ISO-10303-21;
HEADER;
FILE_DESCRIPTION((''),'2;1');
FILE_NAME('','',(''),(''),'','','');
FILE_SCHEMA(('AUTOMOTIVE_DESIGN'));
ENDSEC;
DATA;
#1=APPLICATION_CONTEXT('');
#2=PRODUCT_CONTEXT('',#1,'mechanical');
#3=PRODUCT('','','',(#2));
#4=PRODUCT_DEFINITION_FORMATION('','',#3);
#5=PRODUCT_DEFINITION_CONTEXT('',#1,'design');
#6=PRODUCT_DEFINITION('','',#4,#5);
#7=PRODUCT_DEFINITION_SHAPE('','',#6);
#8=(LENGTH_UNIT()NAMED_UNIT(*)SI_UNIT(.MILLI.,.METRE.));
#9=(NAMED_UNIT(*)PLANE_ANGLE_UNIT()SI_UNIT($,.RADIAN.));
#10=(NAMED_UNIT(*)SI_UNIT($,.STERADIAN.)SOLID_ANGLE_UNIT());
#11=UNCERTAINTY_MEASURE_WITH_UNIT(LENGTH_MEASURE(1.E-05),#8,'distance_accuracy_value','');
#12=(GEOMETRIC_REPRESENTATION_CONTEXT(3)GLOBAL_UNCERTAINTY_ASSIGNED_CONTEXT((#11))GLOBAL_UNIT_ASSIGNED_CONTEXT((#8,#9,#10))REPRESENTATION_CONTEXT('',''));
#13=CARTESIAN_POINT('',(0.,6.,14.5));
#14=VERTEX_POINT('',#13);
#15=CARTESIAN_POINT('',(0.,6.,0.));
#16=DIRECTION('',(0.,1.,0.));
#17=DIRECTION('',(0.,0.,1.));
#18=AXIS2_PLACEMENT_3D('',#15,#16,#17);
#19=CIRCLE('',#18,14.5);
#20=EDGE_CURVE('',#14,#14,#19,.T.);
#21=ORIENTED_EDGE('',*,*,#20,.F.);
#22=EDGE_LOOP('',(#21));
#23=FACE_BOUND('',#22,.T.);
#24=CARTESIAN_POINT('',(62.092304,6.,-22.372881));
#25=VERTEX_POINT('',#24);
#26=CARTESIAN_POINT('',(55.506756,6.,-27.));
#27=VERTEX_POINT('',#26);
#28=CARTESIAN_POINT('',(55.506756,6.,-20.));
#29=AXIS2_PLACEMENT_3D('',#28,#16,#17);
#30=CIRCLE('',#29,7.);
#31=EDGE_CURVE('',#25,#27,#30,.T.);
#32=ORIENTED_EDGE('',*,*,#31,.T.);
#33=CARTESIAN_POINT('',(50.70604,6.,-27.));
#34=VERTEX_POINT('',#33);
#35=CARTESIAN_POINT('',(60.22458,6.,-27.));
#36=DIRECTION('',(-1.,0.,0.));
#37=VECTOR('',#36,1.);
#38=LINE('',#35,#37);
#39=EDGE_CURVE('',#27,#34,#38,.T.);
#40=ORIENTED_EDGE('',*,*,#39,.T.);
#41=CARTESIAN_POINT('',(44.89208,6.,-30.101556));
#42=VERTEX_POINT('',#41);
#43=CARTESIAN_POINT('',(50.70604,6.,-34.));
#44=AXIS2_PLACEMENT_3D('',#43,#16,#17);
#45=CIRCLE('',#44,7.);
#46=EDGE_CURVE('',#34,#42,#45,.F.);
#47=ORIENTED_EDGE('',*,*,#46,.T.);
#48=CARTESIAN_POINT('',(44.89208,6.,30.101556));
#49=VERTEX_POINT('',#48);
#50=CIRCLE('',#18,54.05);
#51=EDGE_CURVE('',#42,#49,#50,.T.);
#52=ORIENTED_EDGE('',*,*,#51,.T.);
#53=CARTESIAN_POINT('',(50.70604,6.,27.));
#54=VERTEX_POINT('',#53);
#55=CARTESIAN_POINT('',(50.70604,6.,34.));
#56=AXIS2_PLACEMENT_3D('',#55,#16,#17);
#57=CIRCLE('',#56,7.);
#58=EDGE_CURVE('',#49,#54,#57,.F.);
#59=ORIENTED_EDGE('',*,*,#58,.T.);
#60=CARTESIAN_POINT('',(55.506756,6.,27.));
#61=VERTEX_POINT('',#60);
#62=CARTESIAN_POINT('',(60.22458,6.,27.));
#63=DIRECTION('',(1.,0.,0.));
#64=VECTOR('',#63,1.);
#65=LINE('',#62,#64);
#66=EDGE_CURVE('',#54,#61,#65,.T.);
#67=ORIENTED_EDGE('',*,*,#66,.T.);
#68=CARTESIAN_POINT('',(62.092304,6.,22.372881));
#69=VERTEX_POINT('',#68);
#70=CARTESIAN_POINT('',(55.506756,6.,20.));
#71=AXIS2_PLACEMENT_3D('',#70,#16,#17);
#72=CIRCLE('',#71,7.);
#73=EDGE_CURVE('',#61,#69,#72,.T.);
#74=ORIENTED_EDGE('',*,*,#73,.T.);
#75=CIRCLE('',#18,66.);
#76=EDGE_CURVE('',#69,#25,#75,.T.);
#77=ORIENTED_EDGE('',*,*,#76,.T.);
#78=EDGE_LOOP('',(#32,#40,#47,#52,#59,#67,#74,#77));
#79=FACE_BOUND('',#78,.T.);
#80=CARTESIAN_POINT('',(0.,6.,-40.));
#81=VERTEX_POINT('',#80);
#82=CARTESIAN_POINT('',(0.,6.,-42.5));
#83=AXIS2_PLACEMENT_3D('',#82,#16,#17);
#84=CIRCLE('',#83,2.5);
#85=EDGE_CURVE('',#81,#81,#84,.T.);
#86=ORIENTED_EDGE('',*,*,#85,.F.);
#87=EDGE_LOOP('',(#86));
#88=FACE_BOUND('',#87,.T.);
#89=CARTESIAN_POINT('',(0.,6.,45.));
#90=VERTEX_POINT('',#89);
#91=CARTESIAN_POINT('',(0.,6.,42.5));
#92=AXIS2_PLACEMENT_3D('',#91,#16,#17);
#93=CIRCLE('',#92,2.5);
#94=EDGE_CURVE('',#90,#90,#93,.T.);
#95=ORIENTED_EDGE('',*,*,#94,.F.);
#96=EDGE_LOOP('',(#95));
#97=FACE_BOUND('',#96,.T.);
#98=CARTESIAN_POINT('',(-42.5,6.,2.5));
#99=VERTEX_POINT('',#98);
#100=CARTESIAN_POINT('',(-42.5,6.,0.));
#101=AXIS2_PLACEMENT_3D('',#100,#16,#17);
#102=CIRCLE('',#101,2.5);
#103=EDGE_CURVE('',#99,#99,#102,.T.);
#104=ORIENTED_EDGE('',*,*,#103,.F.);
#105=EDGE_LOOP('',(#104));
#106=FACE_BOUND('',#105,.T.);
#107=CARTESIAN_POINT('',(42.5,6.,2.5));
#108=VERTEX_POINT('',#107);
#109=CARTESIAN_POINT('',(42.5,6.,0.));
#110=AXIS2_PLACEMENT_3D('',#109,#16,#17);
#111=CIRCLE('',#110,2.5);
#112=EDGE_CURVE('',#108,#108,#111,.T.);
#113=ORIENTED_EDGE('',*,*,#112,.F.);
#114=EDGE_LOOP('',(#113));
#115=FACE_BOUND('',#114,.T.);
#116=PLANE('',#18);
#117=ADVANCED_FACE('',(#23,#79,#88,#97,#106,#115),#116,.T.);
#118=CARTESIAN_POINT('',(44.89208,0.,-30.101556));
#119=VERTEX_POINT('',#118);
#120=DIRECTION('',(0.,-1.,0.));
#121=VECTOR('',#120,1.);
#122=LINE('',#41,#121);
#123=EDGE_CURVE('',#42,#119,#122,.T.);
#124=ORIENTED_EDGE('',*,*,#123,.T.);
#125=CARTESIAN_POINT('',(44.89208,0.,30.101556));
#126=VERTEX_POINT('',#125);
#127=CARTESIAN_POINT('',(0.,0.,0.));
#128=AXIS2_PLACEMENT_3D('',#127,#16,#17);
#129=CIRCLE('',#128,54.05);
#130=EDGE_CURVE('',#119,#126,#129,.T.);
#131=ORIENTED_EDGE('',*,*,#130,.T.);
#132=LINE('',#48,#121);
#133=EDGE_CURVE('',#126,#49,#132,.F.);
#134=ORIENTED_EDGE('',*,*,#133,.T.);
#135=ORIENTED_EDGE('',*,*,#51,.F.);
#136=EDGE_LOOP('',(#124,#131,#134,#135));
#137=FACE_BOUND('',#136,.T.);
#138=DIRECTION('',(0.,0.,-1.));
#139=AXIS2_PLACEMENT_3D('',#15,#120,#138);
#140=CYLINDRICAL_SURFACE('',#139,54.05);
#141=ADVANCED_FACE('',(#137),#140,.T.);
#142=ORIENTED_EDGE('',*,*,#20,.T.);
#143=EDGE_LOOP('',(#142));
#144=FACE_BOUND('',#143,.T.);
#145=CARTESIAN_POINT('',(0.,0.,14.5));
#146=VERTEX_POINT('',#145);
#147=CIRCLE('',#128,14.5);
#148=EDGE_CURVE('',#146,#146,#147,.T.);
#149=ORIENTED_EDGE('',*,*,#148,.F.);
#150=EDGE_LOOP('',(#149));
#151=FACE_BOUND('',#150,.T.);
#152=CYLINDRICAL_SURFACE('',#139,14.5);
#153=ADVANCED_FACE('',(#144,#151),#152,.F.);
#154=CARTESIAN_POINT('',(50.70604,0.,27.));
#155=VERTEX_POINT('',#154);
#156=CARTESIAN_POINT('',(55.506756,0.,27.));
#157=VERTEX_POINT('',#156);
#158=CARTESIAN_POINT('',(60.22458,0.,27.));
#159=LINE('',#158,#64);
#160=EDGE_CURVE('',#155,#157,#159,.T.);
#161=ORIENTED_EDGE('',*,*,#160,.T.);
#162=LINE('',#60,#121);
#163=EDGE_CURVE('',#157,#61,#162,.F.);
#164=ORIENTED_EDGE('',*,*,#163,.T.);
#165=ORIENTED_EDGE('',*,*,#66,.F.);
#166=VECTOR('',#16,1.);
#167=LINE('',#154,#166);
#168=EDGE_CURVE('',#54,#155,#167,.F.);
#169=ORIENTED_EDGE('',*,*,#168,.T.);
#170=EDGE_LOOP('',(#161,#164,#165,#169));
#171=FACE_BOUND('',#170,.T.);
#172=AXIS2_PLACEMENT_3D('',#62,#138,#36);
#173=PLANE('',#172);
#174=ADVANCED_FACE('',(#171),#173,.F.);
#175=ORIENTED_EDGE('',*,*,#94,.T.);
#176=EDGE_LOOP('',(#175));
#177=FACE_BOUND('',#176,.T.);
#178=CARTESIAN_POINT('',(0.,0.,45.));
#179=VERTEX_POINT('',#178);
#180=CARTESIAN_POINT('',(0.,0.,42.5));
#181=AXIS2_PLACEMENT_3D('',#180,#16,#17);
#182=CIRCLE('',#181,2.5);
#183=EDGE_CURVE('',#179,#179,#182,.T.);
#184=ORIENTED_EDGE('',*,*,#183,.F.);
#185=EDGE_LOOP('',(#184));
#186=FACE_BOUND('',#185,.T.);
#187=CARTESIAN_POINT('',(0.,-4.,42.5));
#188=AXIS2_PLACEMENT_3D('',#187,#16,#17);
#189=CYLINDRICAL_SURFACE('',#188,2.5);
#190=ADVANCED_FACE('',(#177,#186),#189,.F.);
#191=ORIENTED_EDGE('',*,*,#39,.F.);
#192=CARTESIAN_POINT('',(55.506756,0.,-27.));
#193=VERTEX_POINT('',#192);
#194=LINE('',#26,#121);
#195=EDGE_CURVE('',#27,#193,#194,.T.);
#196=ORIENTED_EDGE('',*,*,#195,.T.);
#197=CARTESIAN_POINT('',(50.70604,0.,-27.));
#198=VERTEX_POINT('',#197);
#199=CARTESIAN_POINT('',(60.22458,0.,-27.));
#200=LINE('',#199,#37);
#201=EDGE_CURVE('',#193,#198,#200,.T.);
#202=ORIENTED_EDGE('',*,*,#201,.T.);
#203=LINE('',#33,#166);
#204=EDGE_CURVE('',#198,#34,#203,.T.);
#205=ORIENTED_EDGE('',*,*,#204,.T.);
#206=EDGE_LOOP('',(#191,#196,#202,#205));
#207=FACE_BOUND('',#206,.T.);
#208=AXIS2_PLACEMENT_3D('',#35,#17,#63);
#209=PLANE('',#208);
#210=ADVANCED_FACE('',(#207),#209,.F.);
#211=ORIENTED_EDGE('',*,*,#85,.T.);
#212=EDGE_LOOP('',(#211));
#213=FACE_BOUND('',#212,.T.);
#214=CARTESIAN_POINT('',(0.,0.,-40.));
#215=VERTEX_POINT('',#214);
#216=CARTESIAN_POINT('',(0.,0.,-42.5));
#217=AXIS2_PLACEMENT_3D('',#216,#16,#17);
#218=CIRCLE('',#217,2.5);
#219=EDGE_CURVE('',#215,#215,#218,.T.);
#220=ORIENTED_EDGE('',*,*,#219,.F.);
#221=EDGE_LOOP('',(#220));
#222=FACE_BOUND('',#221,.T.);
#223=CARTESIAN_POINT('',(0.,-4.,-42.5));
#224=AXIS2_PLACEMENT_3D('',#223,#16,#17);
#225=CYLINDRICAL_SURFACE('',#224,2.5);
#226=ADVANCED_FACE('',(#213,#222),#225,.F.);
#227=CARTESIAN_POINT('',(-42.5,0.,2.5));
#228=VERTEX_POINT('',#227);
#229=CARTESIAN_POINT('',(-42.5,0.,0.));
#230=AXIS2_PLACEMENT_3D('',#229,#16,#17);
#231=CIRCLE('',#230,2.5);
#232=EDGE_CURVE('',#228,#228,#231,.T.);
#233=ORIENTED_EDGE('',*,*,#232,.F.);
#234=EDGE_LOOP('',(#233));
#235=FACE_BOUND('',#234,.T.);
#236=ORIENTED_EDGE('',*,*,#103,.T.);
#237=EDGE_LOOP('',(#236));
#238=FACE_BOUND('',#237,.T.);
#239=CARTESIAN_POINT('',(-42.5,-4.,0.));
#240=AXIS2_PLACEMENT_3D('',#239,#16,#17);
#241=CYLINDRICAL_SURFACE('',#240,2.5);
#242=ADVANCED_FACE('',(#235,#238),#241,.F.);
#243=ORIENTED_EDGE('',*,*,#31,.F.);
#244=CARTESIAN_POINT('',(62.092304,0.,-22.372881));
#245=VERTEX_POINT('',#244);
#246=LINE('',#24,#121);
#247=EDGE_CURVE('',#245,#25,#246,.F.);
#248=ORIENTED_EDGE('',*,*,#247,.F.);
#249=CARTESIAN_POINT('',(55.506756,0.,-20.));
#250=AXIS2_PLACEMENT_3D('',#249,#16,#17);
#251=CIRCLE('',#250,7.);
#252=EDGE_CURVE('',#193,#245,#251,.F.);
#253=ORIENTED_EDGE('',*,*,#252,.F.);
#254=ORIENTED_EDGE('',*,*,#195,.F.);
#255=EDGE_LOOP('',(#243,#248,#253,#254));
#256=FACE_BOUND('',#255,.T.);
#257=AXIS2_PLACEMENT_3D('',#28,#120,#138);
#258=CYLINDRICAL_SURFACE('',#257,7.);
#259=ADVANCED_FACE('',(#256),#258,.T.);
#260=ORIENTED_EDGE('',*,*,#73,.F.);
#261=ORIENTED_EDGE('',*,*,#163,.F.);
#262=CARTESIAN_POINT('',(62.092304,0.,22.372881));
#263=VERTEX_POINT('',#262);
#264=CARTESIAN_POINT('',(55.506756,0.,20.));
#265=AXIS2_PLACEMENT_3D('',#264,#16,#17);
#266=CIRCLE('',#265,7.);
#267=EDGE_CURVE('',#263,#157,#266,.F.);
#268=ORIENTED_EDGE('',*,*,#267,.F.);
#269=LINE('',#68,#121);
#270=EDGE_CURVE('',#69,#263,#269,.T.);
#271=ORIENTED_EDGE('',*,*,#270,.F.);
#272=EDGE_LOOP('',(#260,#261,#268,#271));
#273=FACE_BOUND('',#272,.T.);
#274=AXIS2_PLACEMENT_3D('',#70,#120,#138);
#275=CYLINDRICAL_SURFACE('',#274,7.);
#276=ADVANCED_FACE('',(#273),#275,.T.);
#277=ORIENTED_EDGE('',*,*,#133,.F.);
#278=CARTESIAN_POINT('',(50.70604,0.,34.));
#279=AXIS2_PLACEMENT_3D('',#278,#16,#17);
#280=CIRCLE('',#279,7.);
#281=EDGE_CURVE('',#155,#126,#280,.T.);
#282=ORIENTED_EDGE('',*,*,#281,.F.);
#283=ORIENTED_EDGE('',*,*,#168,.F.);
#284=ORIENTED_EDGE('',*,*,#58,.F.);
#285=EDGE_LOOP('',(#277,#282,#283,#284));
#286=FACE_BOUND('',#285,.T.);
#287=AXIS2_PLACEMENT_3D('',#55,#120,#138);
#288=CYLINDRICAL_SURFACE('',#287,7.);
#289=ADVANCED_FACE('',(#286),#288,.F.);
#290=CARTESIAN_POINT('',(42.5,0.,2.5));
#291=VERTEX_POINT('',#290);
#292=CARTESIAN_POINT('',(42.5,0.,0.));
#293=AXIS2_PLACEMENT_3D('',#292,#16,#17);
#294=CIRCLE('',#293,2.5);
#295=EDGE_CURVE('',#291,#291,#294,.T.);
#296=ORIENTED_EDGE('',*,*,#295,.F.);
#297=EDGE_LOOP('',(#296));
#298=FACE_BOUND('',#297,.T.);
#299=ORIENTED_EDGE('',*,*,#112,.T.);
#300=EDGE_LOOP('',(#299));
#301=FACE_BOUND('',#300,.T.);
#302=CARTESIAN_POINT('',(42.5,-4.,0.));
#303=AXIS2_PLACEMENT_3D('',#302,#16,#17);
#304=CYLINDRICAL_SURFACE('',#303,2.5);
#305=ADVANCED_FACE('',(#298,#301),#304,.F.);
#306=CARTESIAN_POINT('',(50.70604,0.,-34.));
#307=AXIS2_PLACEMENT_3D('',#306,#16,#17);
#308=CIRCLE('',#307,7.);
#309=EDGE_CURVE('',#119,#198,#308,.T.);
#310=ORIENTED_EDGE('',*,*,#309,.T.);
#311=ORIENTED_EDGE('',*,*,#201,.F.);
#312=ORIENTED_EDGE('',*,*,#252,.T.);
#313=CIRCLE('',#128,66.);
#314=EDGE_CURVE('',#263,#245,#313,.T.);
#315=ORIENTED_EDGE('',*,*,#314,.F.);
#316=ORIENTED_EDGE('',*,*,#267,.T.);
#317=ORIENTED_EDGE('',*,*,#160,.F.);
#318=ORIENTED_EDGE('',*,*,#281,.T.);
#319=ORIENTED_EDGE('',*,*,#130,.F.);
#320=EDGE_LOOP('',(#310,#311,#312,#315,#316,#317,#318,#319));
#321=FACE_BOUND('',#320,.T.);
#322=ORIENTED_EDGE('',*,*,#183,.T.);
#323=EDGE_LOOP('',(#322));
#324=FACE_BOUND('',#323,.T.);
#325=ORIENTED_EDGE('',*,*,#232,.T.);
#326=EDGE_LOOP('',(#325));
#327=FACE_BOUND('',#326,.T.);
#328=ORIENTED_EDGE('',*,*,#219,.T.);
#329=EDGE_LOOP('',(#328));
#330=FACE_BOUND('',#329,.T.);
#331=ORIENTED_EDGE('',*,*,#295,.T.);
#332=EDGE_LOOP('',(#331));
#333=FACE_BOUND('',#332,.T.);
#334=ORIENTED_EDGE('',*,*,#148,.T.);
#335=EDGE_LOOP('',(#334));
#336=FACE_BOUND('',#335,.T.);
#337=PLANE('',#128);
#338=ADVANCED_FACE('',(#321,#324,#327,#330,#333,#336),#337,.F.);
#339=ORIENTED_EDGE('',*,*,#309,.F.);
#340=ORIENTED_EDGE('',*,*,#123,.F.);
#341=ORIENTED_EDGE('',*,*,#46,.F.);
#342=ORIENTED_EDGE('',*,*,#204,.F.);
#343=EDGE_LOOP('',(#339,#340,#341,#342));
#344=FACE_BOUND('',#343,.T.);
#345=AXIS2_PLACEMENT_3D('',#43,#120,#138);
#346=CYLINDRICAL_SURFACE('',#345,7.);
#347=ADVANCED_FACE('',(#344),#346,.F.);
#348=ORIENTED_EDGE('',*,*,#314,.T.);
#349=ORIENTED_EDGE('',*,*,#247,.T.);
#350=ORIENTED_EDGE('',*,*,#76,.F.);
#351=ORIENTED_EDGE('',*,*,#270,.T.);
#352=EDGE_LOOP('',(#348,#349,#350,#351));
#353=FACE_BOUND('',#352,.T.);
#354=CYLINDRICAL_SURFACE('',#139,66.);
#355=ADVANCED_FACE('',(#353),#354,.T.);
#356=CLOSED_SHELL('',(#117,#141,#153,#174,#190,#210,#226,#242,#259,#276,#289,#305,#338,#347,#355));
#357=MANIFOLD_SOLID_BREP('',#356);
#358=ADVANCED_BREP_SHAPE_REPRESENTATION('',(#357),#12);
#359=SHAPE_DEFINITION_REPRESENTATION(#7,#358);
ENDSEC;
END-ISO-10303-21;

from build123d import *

# Parameters (mm, degrees)
SKETCH_1_R          = 14.5
EXTRUDE_1_DEPTH     = 6
SKETCH_2_R          = 2.5
CUT_EXTRUDE_1_DEPTH = 10
FILLET_1_R          = 7
FILLET_2_R          = 7


with BuildPart() as part:
    # Эскиз1 → Бобышка-Вытянуть1 (new body)
    with BuildSketch(Plane(origin=(0, 0, 0), x_dir=(1, 0, 0), z_dir=(0, 1, 0))):
        with BuildLine():
            Line((60.2245797, -27), (46.823097933, -27))
            ThreePointArc((46.823097933, -27), (-54.05, 0), (46.823097933, 27))
            Line((46.823097933, 27), (60.2245797, 27))
            ThreePointArc((60.2245797, 27), (66, 0), (60.2245797, -27))
        make_face()
        with Locations(Location((0, 0, 0), (0, 0, 270))):
            Circle(SKETCH_1_R, mode=Mode.SUBTRACT)
    extrude(amount=EXTRUDE_1_DEPTH)

    # Эскиз2 → Вырез-Вытянуть1 (cut)
    with BuildSketch(Plane(origin=(0, 6, 0), x_dir=(1, 0, 0), z_dir=(0, 1, 0))):
        with Locations(Location((0, 42.5, 0), (0, 0, 270))):
            Circle(SKETCH_2_R)
        with Locations(Location((0, -42.5, 0), (0, 0, 270))):
            Circle(SKETCH_2_R)
        with Locations(Location((-42.5, 0, 0), (0, 0, 270))):
            Circle(SKETCH_2_R)
        with Locations(Location((42.5, 0, 0), (0, 0, 270))):
            Circle(SKETCH_2_R)
    extrude(amount=-CUT_EXTRUDE_1_DEPTH, mode=Mode.SUBTRACT)

    # Скругление1
    fillet_1_edges = [part.edges().sort_by_distance(p)[0] for p in [
        (60.2245797, 3, -27),
        (60.2245797, 3, 27),
    ]]
    fillet(fillet_1_edges, radius=FILLET_1_R)

    # Скругление2
    fillet_2_edges = [part.edges().sort_by_distance(p)[0] for p in [
        (46.823097933, 3, -27),
        (46.823097933, 3, 27),
    ]]
    fillet(fillet_2_edges, radius=FILLET_2_R)


solid = part.part
